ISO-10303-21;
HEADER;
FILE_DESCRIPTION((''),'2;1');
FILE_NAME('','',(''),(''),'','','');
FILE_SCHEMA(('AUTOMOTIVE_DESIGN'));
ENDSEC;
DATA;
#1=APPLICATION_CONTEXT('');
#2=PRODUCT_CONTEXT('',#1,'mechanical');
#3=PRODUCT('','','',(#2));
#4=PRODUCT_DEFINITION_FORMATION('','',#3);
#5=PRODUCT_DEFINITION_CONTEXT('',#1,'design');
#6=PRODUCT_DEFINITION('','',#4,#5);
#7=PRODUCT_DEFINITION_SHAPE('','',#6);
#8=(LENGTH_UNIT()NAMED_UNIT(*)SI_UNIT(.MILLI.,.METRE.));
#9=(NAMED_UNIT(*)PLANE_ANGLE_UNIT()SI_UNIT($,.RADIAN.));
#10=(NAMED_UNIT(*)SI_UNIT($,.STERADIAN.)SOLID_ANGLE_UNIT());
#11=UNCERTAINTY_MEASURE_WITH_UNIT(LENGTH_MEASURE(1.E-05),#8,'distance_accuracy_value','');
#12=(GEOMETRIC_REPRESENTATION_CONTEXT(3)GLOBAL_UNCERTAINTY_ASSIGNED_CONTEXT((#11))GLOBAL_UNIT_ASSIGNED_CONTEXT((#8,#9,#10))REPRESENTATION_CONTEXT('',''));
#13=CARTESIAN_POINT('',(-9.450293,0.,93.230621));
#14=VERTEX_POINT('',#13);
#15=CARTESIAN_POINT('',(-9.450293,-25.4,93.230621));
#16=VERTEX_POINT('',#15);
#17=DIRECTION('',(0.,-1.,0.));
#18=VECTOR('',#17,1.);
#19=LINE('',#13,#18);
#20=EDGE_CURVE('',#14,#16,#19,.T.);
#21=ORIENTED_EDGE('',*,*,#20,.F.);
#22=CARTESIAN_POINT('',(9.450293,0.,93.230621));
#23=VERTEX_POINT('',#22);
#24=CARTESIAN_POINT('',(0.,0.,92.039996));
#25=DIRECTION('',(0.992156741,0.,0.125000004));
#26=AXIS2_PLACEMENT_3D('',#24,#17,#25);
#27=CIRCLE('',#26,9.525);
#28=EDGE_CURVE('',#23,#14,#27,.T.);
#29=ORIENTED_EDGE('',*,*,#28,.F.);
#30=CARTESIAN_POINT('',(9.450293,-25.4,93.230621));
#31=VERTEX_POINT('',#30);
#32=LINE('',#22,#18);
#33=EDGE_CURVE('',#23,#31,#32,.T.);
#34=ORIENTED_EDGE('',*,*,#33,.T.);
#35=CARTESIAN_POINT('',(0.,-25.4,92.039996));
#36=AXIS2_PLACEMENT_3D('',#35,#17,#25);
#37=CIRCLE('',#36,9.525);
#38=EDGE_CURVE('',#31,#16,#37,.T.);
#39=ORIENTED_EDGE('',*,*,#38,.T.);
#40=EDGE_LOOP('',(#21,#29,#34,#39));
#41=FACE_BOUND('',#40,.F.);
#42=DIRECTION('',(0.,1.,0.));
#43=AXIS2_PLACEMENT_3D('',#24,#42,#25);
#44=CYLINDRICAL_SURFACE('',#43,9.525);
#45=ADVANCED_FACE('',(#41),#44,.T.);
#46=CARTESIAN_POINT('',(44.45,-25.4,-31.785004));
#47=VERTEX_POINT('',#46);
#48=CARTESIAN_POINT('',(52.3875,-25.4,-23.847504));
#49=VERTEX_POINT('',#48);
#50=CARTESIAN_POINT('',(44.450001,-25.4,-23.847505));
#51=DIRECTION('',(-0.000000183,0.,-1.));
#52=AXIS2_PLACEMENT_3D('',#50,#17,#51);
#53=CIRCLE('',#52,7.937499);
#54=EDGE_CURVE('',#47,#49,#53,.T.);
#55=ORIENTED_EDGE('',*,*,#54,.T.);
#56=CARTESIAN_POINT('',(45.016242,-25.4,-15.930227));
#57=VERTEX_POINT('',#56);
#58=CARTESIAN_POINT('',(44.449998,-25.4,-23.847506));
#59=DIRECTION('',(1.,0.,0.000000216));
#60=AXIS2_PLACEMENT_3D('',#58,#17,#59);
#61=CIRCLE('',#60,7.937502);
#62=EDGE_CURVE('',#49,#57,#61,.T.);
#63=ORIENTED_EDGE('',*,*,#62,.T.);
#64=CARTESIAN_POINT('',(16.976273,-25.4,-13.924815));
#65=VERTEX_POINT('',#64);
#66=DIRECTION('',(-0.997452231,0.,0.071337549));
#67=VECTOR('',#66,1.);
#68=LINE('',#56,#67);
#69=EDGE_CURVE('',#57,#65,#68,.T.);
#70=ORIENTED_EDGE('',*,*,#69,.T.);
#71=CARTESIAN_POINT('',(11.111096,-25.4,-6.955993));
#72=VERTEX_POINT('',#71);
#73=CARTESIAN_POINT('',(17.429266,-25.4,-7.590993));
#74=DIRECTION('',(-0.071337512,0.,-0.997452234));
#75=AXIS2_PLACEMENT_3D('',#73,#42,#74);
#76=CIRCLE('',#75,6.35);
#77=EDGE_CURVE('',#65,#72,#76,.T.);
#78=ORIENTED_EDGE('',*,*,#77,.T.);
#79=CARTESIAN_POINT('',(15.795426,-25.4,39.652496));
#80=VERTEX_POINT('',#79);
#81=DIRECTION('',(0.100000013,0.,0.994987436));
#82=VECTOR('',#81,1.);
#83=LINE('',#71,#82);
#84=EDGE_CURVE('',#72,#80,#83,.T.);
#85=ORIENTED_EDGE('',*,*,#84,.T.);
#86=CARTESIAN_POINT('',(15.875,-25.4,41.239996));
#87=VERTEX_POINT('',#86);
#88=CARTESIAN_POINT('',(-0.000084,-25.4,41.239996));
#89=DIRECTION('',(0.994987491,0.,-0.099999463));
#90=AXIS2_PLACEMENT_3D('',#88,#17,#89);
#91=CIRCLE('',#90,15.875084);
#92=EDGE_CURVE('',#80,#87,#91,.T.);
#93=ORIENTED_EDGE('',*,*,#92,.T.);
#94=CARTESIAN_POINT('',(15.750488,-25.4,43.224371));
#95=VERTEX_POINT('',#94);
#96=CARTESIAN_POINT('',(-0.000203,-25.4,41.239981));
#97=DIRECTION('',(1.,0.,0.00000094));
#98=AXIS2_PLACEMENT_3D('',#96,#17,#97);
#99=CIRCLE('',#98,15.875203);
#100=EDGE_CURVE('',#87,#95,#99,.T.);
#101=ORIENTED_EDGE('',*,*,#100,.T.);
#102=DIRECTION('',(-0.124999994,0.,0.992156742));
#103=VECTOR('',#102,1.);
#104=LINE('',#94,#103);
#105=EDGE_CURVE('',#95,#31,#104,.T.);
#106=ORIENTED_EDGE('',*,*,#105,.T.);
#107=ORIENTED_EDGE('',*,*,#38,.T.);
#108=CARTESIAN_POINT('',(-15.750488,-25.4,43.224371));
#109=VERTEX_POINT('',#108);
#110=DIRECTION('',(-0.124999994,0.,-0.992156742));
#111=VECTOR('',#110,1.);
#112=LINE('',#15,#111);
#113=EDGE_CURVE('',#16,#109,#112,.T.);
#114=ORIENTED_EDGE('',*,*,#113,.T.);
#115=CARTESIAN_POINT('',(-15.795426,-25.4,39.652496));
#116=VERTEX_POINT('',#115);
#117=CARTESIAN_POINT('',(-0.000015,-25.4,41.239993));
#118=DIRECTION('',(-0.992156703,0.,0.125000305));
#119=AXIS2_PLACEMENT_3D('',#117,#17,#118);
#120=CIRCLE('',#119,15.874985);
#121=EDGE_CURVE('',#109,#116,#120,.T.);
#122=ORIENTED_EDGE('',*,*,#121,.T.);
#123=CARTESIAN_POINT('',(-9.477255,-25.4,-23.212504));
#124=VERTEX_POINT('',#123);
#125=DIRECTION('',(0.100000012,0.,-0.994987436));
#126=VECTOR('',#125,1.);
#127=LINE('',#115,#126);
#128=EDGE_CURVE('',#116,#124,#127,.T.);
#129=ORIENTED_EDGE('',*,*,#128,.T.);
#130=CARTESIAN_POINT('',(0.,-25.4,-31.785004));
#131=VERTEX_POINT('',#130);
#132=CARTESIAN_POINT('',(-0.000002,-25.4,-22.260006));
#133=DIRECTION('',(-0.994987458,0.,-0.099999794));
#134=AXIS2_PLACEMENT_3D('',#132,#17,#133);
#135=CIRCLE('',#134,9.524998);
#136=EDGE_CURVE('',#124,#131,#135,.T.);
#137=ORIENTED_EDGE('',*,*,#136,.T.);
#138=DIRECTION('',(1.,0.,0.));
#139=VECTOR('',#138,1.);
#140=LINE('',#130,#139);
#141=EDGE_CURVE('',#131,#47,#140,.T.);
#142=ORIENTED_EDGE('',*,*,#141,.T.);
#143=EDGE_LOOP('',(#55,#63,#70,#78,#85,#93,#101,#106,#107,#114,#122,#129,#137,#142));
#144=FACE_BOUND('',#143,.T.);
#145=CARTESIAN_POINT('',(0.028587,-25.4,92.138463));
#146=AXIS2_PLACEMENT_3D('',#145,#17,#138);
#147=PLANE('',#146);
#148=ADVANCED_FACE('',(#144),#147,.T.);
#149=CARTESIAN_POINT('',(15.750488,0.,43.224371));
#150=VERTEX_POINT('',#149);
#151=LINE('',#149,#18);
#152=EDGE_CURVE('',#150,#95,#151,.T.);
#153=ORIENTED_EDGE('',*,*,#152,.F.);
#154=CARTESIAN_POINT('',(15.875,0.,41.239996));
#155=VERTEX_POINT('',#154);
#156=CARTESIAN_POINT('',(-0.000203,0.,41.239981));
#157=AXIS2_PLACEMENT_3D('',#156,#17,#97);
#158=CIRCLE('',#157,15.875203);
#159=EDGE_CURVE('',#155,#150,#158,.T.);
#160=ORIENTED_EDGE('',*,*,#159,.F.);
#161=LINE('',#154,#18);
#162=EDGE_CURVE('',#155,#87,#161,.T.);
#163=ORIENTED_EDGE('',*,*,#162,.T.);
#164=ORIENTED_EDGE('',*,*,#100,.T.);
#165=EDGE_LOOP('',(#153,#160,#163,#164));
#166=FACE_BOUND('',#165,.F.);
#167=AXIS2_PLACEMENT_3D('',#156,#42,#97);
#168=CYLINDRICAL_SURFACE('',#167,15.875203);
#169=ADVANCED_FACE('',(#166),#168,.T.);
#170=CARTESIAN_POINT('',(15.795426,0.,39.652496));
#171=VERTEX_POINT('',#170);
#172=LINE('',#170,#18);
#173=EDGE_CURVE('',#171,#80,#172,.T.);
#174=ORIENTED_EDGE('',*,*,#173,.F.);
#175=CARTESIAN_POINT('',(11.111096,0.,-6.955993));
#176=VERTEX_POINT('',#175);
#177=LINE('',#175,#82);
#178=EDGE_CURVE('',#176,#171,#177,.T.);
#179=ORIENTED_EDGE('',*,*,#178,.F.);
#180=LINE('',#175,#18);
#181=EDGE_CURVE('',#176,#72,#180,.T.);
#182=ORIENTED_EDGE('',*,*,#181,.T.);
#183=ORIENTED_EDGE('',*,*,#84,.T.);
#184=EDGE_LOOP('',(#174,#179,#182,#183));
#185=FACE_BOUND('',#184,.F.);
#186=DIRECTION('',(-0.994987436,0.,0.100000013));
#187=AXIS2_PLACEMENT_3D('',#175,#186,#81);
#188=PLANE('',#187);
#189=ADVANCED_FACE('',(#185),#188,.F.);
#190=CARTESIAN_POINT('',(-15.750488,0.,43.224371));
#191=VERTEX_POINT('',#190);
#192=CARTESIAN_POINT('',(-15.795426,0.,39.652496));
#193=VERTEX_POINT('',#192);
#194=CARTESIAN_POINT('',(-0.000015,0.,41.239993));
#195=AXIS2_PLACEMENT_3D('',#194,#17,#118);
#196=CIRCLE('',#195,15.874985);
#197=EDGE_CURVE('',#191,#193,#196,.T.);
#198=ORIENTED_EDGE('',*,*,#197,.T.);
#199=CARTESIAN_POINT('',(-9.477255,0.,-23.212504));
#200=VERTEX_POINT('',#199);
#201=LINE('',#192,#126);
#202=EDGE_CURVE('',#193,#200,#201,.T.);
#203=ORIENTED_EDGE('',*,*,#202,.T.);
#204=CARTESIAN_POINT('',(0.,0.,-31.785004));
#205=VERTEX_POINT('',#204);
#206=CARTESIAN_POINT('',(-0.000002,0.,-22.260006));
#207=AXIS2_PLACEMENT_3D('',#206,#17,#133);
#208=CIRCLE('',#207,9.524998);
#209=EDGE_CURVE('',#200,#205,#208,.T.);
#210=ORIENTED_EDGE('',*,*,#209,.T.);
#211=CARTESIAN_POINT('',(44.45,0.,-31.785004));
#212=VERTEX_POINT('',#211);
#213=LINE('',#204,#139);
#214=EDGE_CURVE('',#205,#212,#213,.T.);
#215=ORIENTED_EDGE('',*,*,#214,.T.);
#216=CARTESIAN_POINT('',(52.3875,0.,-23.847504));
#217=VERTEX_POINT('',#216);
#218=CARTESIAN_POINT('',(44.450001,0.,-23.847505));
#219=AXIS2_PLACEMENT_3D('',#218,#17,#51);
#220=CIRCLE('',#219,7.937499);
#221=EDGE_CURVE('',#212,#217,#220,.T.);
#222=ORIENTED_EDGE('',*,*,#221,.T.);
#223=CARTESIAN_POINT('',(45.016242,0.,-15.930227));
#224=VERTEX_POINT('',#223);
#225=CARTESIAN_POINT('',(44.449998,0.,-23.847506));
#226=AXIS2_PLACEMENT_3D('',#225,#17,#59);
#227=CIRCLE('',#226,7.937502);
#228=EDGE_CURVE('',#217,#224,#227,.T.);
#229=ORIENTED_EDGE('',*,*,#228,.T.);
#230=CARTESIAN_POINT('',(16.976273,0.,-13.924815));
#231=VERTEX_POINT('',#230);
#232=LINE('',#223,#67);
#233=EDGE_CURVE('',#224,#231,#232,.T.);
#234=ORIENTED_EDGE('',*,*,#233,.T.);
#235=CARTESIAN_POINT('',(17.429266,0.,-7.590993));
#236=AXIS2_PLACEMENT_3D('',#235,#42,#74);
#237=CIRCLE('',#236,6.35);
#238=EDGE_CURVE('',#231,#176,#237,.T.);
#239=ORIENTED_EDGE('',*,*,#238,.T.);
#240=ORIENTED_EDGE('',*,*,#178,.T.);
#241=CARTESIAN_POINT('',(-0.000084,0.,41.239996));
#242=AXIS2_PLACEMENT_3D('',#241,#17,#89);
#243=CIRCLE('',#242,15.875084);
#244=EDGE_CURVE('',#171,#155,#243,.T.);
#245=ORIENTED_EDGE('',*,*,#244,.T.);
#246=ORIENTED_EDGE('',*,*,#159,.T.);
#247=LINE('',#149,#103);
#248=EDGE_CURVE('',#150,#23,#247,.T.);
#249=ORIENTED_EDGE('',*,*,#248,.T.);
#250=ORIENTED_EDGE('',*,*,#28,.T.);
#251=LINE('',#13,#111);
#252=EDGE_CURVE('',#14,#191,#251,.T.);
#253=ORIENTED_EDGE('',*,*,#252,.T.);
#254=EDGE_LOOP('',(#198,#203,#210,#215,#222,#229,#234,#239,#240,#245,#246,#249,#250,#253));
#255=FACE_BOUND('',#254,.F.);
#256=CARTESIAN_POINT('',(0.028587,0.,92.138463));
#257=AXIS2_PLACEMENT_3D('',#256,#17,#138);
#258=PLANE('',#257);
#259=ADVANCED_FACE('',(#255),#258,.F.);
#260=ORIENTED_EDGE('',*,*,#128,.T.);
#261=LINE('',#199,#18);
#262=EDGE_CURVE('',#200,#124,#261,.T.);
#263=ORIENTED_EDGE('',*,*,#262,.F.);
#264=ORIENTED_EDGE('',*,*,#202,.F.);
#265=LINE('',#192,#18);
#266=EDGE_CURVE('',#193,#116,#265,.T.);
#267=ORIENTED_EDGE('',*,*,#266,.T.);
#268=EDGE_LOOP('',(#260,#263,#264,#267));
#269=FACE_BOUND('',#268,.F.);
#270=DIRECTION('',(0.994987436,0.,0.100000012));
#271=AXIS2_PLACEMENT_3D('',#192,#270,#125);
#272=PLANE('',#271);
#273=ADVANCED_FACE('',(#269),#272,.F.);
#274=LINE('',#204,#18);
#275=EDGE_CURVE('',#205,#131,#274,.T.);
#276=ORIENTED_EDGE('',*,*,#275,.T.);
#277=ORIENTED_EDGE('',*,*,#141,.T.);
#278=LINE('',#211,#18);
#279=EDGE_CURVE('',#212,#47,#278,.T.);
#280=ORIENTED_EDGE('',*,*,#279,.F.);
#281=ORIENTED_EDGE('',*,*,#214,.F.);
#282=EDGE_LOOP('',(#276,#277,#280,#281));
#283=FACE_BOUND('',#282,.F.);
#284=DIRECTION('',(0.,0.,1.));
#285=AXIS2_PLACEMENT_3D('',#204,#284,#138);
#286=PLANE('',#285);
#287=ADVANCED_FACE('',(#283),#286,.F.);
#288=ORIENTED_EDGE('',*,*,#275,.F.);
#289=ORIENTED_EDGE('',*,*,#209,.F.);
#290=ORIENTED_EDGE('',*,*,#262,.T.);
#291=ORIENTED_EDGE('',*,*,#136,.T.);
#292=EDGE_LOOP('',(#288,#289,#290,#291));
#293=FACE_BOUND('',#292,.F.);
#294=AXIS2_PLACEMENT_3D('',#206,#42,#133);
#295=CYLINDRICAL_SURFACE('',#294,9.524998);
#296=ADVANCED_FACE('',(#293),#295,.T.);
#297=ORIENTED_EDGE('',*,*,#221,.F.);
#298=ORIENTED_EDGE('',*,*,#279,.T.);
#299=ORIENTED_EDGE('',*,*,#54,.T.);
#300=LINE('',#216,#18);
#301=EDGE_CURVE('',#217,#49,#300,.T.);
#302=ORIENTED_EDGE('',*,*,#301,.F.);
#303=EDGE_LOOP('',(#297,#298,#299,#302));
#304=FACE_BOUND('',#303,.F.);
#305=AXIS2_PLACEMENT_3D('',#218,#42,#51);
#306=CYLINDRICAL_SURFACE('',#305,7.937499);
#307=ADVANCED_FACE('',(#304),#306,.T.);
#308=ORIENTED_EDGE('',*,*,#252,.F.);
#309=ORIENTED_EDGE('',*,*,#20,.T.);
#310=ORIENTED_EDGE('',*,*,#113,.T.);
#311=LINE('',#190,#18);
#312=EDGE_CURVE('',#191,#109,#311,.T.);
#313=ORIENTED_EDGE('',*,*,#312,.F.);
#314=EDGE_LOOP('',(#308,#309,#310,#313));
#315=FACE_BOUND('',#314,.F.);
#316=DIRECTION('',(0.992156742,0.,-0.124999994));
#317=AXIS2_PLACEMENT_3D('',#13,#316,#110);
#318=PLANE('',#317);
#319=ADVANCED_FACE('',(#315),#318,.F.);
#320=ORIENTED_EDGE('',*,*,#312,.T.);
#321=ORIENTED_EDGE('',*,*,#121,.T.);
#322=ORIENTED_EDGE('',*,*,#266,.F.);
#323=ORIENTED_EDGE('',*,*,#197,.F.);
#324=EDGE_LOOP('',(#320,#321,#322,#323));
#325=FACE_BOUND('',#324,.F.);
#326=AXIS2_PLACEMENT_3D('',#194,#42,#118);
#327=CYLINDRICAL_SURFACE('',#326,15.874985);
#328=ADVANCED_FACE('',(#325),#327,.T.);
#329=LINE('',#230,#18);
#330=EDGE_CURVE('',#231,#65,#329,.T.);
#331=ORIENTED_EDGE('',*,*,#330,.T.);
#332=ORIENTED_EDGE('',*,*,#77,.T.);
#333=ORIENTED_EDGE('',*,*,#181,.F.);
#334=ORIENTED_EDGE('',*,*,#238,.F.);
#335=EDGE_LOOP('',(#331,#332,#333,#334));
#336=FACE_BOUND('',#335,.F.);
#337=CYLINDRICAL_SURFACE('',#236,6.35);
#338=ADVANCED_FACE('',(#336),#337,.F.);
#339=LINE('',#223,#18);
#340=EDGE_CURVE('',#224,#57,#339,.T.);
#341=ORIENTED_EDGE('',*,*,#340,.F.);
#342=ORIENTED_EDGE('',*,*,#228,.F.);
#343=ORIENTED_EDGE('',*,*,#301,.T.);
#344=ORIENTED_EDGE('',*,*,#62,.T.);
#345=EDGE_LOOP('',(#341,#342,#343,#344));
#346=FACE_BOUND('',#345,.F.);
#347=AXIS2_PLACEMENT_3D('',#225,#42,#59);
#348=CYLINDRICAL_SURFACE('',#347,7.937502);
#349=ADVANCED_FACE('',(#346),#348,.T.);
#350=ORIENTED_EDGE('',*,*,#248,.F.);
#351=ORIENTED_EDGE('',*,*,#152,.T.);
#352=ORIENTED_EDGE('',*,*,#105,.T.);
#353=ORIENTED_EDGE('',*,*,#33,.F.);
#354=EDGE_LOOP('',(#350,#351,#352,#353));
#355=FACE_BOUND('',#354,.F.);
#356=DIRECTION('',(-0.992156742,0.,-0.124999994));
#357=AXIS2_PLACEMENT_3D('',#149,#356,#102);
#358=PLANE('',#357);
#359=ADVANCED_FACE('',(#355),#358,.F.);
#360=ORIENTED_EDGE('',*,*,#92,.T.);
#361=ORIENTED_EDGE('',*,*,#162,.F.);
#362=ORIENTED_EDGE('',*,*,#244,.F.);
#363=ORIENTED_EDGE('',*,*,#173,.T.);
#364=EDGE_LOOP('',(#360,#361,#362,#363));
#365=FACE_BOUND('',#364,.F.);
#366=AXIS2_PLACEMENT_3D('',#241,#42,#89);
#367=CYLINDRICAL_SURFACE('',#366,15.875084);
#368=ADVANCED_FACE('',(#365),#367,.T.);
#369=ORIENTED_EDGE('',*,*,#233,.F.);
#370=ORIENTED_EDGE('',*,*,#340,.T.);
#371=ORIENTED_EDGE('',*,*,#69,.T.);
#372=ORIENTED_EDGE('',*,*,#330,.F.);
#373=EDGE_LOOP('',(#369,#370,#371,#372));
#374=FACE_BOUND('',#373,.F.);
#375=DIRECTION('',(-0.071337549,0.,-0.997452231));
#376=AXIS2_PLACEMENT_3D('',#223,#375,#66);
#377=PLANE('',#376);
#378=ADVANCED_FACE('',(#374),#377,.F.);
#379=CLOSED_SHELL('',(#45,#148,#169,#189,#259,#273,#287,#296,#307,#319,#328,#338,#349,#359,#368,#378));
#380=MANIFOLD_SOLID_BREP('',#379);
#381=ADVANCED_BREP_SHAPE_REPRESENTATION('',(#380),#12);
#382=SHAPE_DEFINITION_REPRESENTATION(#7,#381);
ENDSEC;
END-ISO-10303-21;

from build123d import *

# Parameters (mm, degrees)
F1_DEPTH = 25.4


with BuildPart() as f1:
    # F0 (on Front) → F1 (new body)
    with BuildSketch(Plane.XZ):
        with BuildLine():
            ThreePointArc((-9.450293, 93.230621), (-0.596483, 82.533691), (9.525, 92.039996))
            ThreePointArc((9.525, 92.039996), (9.506305, 92.636479), (9.450293, 93.230621))
            ThreePointArc((9.450293, 93.230621), (0, 101.564996), (-9.450293, 93.230621))
        make_face()
        with BuildLine():
            ThreePointArc((9.450293, 93.230621), (9.506305, 92.636479), (9.525, 92.039996))
            ThreePointArc((9.525, 92.039996), (-0.596483, 82.533691), (-9.450293, 93.230621))
            Line((-9.450293, 93.230621), (-15.750488, 43.224371))
            ThreePointArc((-15.750488, 43.224371), (0, 57.114996), (15.750488, 43.224371))
            Line((15.750488, 43.224371), (9.450293, 93.230621))
        make_face()
        with BuildLine():
            ThreePointArc((15.875, 41.239996), (15.843841, 42.234134), (15.750488, 43.224371))
            ThreePointArc((15.750488, 43.224371), (0, 57.114996), (-15.750488, 43.224371))
            ThreePointArc((-15.750488, 43.224371), (-15.873744, 41.439701), (-15.795426, 39.652496))
            ThreePointArc((-15.795426, 39.652496), (0, 25.364996), (15.795426, 39.652496))
            ThreePointArc((15.795426, 39.652496), (15.855094, 40.445249), (15.875, 41.239996))
        make_face()
        with BuildLine():
            ThreePointArc((15.795426, 39.652496), (0, 25.364996), (-15.795426, 39.652496))
            Line((-15.795426, 39.652496), (-9.477255, -23.212504))
            ThreePointArc((-9.477255, -23.212504), (-0.476848, -12.746948), (9.525, -22.260004))
            ThreePointArc((9.525, -22.260004), (6.735192, -28.995197), (0, -31.785004))
            Line((0, -31.785004), (44.45, -31.785004))
            ThreePointArc((44.45, -31.785004), (36.517557, -23.564203), (45.016242, -15.930227))
            Line((45.016242, -15.930227), (16.976273, -13.924815))
            ThreePointArc((16.976273, -13.924815), (12.570945, -11.679907), (11.111096, -6.955993))
            Line((11.111096, -6.955993), (15.795426, 39.652496))
        make_face()
        with BuildLine():
            ThreePointArc((9.525, -22.260004), (-0.476848, -12.746948), (-9.477255, -23.212504))
            ThreePointArc((-9.477255, -23.212504), (-6.389564, -29.323934), (0, -31.785004))
            ThreePointArc((0, -31.785004), (6.735192, -28.995197), (9.525, -22.260004))
        make_face()
        with BuildLine():
            ThreePointArc((45.016242, -15.930227), (36.517557, -23.564203), (44.45, -31.785004))
            ThreePointArc((44.45, -31.785004), (50.06266, -29.460165), (52.3875, -23.847504))
            ThreePointArc((52.3875, -23.847504), (50.259408, -18.438745), (45.016242, -15.930227))
        make_face()
    extrude(amount=F1_DEPTH)


solid = f1.part
